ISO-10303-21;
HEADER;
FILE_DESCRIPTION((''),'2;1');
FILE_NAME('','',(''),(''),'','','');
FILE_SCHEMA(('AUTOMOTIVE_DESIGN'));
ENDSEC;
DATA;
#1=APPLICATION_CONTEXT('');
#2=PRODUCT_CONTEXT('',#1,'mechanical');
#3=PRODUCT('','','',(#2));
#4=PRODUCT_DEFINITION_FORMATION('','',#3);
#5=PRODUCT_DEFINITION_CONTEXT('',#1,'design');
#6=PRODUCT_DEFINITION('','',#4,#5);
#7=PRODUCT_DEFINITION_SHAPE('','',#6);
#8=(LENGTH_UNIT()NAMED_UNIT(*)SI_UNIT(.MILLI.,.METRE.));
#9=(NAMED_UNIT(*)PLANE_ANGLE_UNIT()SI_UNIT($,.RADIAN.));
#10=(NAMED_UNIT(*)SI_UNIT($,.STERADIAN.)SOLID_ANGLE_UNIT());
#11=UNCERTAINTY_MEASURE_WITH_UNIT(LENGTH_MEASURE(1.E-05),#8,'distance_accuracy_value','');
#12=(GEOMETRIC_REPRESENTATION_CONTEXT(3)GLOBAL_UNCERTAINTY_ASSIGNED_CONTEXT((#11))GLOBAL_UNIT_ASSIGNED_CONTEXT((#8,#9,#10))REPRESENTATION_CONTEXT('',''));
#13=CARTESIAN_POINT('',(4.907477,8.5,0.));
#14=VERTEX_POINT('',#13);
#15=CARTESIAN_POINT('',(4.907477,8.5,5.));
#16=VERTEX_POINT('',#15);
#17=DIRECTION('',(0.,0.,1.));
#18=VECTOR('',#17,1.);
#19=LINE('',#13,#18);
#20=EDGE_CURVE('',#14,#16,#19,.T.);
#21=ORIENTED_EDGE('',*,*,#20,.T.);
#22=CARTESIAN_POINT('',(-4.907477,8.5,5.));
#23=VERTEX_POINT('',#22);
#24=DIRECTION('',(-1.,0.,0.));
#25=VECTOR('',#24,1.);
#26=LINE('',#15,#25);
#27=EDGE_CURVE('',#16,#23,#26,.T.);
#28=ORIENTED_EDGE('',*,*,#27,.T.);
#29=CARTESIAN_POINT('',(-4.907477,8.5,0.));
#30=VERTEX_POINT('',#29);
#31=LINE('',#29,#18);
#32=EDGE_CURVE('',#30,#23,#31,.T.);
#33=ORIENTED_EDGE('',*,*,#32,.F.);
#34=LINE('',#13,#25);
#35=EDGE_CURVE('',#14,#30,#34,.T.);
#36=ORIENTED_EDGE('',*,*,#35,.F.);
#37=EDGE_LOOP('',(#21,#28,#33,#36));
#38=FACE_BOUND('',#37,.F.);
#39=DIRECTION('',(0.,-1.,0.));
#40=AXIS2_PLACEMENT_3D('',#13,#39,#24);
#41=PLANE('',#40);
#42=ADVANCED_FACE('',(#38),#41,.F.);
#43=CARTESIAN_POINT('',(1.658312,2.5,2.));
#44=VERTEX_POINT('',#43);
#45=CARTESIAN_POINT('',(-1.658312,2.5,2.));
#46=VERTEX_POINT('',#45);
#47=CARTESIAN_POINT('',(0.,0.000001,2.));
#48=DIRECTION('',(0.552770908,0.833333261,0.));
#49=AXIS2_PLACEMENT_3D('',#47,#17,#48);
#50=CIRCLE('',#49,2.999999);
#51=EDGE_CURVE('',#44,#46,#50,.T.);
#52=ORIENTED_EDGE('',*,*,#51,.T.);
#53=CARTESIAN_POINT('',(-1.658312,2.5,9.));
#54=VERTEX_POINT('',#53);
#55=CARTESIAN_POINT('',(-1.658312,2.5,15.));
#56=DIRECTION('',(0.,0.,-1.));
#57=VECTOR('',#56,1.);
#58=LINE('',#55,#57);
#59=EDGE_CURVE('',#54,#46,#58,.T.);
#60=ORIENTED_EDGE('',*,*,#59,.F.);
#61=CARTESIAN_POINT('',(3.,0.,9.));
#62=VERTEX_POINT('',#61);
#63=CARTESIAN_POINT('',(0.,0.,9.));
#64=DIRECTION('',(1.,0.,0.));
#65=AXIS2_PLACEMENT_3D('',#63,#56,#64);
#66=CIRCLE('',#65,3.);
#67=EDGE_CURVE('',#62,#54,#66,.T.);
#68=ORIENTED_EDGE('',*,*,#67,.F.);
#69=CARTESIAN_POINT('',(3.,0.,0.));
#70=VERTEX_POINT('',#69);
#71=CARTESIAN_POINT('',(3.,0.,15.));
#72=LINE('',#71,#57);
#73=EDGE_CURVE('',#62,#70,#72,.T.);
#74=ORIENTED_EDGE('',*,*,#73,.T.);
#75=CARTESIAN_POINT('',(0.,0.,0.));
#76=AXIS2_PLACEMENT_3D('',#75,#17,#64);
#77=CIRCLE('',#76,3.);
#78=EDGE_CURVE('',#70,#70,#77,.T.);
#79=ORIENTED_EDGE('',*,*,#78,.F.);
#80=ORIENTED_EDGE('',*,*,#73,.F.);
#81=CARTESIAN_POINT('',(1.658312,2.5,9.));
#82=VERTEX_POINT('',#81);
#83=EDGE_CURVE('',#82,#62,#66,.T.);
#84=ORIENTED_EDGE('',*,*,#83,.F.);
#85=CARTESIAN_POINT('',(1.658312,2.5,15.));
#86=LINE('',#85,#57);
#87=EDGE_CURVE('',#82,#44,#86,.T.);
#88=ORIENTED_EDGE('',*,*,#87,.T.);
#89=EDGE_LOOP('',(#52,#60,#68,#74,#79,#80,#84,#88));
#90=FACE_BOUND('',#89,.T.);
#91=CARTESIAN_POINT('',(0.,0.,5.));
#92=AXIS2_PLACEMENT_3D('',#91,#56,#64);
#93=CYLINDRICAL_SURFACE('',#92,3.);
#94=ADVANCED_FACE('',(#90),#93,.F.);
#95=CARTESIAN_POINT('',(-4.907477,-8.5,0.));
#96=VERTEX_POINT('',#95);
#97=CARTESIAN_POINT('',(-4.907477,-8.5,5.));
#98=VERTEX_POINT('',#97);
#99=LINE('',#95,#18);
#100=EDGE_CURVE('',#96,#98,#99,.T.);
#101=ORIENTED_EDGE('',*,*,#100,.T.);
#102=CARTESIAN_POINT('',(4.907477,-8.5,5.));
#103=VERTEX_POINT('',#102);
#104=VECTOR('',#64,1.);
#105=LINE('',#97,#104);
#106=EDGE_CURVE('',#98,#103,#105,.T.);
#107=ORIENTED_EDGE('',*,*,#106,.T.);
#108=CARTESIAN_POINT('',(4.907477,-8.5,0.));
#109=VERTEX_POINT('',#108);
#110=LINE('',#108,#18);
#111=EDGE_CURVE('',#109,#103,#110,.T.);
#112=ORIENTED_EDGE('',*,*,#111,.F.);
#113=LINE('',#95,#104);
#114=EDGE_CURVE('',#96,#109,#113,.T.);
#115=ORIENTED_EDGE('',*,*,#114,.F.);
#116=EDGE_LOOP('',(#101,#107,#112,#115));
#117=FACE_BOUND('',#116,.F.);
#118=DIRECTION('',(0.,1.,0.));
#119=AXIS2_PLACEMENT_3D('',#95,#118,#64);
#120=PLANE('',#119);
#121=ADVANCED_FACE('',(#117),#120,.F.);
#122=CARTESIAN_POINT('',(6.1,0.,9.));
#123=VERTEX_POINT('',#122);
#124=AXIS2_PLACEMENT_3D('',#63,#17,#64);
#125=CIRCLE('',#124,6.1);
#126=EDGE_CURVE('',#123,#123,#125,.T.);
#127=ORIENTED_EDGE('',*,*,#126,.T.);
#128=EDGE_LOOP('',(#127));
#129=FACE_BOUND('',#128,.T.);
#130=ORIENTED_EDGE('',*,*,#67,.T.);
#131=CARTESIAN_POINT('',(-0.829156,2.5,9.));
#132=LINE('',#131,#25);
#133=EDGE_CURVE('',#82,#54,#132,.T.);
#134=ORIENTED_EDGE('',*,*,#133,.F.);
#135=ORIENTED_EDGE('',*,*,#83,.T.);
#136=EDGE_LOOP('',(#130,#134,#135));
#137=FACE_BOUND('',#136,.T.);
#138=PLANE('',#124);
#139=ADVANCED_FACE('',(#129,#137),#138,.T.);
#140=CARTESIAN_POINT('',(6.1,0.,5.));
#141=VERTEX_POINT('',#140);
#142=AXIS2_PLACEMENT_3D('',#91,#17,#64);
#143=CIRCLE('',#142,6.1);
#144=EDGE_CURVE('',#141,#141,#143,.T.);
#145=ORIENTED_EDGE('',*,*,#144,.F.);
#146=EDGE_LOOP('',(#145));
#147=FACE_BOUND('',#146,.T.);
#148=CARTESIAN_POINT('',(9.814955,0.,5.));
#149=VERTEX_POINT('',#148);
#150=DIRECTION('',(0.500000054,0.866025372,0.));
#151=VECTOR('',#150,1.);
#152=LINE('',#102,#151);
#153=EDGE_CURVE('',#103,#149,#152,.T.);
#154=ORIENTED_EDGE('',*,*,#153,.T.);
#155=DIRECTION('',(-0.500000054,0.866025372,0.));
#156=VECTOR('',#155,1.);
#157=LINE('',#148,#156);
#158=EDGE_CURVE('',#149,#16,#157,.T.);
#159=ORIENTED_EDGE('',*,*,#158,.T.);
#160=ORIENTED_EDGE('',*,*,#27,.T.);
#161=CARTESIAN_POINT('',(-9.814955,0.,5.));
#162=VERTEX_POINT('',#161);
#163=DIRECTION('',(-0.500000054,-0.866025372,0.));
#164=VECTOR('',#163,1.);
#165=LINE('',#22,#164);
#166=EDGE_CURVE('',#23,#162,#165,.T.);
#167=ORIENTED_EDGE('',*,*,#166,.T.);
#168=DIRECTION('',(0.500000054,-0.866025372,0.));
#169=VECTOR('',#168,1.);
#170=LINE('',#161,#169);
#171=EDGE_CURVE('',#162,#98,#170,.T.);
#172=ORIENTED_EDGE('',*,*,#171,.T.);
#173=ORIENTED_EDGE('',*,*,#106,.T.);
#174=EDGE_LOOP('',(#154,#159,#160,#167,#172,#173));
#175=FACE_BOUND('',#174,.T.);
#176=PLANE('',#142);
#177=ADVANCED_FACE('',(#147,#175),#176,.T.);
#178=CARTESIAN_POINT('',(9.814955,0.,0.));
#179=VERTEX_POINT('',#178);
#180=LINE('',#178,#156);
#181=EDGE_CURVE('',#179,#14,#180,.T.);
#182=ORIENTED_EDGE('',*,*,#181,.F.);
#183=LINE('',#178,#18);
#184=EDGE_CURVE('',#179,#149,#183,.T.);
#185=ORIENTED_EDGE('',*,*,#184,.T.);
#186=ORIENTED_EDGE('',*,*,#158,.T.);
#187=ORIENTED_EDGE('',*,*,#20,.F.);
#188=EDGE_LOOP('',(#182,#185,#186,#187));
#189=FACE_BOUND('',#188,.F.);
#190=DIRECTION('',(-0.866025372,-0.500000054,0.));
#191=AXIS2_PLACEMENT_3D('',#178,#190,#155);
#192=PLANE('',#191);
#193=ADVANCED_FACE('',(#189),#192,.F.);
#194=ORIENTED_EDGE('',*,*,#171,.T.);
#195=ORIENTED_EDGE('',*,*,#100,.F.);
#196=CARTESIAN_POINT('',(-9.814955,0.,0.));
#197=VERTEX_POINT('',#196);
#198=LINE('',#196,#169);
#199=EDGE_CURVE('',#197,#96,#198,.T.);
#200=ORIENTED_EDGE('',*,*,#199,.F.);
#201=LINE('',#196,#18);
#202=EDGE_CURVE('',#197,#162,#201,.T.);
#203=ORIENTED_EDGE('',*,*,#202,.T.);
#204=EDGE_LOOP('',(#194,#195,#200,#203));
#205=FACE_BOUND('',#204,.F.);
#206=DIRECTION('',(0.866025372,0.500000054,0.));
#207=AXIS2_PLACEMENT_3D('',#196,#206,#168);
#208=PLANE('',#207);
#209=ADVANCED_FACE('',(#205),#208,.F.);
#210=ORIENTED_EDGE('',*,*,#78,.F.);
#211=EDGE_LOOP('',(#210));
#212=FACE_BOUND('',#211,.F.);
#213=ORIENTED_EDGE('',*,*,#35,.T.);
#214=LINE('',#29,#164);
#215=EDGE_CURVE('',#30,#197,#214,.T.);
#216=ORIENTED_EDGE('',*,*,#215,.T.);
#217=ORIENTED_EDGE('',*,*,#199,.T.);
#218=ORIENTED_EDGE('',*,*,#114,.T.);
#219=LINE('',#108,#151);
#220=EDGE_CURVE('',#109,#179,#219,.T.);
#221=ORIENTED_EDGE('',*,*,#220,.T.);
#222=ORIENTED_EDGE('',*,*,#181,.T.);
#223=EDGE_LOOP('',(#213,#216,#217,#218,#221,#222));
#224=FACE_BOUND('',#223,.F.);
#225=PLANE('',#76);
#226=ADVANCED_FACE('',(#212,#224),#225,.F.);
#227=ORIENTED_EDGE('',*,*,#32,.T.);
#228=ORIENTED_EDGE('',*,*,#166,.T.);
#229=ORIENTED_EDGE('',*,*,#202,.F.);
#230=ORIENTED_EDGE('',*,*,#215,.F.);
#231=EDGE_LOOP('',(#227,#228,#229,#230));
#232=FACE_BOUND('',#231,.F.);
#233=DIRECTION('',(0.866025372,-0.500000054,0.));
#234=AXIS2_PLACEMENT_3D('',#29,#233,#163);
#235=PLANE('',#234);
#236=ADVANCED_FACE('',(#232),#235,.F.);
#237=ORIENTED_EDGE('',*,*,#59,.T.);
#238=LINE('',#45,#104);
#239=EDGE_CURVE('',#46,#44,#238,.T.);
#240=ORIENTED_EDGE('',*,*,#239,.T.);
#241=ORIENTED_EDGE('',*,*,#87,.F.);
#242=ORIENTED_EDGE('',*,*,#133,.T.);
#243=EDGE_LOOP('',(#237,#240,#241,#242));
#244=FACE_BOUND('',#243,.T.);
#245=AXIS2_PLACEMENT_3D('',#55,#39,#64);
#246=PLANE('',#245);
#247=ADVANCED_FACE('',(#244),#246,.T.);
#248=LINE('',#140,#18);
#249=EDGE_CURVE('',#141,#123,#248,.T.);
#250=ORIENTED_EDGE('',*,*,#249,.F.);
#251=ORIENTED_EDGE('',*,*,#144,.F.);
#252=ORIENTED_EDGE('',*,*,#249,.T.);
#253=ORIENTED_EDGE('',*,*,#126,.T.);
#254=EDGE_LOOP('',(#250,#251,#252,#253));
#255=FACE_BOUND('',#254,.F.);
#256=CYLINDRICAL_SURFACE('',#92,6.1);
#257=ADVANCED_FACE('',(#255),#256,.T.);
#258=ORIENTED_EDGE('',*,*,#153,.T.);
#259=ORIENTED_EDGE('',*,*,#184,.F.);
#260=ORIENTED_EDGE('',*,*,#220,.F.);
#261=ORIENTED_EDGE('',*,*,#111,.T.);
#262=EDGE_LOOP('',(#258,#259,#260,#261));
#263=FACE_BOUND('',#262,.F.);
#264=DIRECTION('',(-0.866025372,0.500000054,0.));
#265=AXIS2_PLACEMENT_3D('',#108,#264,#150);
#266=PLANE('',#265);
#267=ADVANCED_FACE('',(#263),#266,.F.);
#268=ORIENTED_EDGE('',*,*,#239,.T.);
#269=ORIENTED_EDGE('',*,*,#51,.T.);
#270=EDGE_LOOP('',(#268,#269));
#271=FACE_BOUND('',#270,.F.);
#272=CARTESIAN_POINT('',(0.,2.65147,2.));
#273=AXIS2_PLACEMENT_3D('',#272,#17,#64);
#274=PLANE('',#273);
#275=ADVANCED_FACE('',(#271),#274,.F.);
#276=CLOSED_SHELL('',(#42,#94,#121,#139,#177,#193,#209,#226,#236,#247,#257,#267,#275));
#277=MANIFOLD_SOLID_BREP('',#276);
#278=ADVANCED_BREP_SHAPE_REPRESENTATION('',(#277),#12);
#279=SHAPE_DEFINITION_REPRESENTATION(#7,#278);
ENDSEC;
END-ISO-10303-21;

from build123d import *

# Parameters (mm, degrees)
SKETCH_R      = 3
PAD_DEPTH     = 5
SKETCH001_R   = 6.1
SKETCH001_R_2 = 3
PAD001_DEPTH  = 10
PAD002_DEPTH  = 13
SKETCH003_R   = 6.1
POCKET_DEPTH  = 6


with BuildPart() as part:
    # Sketch → Pad (new body)
    with BuildSketch(Plane.XY):
        Polygon((9.814955, 0), (4.907477, 8.5), (-4.907477, 8.5), (-9.814955, 0), (-4.907477, -8.5), (4.907477, -8.5), align=None)
        Circle(SKETCH_R, mode=Mode.SUBTRACT)
    extrude(amount=PAD_DEPTH)

    # Sketch001 (on Face9 of Pad) → Pad001 (join)
    with BuildSketch(Plane.XY.offset(5)):
        Circle(SKETCH001_R)
        Circle(SKETCH001_R_2, mode=Mode.SUBTRACT)
    extrude(amount=PAD001_DEPTH)

    # Sketch002 (on Face12 of Pad001) → Pad002 (join)
    with BuildSketch(Plane.XY.offset(15)):
        with BuildLine():
            Line((-1.658312, 2.5), (1.658312, 2.5))
            ThreePointArc((1.658312, 2.5), (0, 3), (-1.658312, 2.5))
        make_face()
    extrude(amount=-PAD002_DEPTH)

    # Sketch003 (on Face15 of Pad002) → Pocket (cut)
    with BuildSketch(Plane.XY.offset(15)):
        Circle(SKETCH003_R)
    extrude(amount=-POCKET_DEPTH, mode=Mode.SUBTRACT)


solid = part.part
